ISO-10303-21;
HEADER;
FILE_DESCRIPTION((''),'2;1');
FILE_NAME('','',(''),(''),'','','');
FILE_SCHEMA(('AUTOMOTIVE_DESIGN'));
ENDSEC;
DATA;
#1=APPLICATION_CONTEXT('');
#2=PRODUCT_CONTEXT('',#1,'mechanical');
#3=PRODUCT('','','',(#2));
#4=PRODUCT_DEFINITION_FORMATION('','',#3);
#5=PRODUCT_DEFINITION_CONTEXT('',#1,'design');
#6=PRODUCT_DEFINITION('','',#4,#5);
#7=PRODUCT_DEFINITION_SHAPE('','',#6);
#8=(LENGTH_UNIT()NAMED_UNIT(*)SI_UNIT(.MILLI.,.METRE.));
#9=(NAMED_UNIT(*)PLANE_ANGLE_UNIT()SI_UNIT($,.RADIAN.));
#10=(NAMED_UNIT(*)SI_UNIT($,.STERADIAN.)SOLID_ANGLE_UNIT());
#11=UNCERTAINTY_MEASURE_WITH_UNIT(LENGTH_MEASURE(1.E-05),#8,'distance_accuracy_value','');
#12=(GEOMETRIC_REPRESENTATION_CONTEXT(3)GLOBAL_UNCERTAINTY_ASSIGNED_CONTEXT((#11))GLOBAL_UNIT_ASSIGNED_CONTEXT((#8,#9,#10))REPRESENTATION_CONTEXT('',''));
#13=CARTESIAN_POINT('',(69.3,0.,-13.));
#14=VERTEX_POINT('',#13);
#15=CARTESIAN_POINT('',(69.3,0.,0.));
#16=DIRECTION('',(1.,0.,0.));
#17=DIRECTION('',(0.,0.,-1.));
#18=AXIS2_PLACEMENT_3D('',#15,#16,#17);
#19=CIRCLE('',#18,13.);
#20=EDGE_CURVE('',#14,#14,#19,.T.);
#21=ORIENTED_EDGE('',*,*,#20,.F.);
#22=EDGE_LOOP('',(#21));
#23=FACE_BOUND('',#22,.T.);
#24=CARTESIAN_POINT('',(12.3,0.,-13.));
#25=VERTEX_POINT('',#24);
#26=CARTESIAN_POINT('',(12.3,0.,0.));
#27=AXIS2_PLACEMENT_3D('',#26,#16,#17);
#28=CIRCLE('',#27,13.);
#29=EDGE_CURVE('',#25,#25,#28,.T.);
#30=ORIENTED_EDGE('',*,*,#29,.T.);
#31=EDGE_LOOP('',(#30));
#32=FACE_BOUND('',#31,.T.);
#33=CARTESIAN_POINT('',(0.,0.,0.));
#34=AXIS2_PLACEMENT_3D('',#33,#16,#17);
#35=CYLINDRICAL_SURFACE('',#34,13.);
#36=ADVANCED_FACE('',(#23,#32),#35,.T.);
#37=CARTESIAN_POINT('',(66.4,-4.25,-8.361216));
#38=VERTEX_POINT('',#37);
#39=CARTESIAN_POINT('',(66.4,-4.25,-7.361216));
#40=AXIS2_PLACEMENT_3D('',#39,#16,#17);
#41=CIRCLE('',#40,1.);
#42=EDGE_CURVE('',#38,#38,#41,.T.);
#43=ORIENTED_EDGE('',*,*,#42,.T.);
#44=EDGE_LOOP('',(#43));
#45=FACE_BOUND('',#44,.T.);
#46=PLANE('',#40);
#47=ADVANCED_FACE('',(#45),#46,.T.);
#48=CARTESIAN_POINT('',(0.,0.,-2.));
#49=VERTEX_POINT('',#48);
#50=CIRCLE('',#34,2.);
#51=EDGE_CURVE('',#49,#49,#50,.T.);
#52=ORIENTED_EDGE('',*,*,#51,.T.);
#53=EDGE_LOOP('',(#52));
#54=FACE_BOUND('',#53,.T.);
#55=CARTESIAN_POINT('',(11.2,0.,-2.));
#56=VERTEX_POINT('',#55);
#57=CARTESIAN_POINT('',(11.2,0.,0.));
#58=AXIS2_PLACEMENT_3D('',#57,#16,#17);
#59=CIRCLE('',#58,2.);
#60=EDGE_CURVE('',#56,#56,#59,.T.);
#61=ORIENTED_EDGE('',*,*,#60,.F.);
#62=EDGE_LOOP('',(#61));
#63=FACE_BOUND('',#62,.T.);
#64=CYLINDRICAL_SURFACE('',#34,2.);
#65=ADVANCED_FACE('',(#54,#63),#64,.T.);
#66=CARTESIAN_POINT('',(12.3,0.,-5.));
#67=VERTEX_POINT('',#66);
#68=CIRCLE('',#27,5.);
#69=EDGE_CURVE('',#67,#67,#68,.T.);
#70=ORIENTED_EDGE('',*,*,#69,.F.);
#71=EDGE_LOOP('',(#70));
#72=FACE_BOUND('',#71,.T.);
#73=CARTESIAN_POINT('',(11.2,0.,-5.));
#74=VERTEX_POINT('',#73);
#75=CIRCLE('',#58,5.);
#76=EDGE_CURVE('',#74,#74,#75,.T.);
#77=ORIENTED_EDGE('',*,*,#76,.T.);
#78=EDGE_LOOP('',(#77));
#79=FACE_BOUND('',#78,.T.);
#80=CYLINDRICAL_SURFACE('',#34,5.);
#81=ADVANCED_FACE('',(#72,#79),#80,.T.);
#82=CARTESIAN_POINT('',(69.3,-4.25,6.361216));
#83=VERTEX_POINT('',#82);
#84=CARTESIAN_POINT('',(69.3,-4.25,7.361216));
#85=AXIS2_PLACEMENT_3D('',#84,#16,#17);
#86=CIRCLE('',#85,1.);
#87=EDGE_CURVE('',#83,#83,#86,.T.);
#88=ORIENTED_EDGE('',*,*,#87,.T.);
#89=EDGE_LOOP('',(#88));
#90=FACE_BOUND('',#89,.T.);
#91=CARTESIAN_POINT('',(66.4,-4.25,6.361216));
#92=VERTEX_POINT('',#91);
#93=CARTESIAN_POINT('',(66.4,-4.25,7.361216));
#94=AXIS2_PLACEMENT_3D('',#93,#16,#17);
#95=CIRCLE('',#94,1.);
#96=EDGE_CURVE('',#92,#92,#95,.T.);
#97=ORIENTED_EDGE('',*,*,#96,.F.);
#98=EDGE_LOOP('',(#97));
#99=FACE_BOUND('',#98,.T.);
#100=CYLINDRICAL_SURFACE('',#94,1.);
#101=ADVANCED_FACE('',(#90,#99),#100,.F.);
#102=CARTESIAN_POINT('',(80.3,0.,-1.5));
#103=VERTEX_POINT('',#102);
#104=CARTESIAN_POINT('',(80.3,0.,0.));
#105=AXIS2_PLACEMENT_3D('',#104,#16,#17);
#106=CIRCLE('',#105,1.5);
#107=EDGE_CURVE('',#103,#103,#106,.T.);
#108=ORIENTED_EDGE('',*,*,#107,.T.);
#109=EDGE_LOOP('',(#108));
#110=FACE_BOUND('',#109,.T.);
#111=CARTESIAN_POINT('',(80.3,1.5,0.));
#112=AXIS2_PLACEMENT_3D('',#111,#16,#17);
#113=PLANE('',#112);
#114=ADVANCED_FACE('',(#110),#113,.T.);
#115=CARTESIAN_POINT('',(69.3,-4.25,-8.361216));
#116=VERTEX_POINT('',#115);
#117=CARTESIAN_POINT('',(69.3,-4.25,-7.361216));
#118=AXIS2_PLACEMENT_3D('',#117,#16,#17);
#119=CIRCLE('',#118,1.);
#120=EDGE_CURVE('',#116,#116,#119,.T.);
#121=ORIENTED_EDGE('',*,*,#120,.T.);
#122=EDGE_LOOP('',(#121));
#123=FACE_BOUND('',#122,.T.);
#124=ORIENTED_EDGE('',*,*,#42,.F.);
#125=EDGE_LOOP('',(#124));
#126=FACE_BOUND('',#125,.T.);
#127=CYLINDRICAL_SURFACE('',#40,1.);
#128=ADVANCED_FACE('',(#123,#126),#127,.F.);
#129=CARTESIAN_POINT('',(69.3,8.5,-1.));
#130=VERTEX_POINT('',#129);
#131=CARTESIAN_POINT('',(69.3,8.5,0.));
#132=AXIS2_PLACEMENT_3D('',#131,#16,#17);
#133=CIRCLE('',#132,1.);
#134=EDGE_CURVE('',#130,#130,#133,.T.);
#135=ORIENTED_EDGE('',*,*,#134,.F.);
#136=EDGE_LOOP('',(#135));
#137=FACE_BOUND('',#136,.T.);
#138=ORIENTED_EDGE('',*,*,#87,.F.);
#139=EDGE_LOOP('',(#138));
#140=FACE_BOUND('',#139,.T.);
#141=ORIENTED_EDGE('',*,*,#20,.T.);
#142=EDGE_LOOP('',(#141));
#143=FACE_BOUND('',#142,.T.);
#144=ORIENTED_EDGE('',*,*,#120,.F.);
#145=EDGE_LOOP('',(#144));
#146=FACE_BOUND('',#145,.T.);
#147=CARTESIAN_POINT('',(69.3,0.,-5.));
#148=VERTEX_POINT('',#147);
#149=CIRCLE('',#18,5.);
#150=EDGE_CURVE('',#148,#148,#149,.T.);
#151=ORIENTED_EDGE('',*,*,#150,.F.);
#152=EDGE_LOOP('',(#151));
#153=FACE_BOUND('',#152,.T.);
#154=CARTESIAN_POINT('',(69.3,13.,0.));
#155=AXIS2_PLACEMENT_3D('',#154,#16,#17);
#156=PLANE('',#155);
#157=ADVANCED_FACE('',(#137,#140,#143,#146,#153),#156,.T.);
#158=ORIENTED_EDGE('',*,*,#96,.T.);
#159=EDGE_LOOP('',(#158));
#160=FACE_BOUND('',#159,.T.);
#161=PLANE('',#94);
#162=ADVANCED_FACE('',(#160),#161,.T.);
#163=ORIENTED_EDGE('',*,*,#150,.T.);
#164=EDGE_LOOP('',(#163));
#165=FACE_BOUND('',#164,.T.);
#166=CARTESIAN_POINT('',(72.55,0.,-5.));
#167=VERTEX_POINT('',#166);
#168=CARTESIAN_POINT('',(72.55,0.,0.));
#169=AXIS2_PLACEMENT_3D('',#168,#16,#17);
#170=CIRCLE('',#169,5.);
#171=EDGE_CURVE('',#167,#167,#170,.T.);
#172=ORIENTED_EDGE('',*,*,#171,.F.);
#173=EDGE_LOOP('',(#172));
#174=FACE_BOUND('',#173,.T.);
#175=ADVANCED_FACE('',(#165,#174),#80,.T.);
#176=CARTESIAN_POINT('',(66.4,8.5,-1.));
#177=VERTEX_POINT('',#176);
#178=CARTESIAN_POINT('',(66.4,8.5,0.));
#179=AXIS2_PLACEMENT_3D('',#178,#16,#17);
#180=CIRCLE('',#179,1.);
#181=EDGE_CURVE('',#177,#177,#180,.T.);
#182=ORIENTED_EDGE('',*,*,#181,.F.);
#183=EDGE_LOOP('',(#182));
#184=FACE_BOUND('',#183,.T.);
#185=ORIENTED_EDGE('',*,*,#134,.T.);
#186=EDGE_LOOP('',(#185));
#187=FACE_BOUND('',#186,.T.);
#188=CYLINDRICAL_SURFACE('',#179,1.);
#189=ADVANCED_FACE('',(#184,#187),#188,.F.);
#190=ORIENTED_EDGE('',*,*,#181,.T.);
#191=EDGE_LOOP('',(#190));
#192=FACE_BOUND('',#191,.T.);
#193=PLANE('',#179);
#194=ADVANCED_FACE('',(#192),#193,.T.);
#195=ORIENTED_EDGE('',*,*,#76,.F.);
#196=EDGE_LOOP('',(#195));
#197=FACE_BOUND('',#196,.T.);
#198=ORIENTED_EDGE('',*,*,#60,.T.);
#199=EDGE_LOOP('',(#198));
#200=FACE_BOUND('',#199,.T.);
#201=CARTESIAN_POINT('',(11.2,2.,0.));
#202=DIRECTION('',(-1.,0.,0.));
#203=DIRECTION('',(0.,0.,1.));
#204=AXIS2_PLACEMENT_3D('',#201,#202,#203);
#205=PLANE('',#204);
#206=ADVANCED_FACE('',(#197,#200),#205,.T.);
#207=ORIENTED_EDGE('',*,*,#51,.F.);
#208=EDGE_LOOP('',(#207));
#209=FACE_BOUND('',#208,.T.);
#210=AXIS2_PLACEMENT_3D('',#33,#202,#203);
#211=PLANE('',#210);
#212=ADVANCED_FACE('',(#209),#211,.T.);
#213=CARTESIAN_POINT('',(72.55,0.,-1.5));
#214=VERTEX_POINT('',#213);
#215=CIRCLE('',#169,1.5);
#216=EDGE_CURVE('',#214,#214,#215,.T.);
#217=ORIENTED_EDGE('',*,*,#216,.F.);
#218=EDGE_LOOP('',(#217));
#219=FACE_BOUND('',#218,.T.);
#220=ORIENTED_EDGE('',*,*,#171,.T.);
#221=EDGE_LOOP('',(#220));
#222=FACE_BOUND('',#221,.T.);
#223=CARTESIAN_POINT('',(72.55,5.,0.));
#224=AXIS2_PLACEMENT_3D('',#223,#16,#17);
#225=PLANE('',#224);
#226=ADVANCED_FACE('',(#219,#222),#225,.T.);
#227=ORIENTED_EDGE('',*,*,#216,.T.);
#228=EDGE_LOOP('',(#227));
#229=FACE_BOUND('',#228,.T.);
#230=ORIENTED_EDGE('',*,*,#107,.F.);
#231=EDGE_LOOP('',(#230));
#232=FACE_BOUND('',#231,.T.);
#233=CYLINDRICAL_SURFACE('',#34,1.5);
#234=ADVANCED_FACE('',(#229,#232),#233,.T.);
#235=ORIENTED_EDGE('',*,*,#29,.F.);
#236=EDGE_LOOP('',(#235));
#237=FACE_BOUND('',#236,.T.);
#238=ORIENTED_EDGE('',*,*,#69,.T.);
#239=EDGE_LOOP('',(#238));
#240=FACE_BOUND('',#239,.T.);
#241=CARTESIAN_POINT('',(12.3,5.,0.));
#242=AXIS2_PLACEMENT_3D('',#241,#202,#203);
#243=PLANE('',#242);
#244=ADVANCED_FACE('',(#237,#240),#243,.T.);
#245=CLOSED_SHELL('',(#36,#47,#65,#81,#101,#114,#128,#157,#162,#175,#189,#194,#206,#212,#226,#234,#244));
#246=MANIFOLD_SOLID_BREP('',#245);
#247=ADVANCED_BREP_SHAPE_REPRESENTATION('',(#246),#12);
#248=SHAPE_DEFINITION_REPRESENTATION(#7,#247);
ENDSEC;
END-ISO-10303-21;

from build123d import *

# Parameters (mm, degrees)
SZKIC2_R                   = 1
WYTNIJ_WYCI_GNI_CIE1_DEPTH = 2.9


with BuildPart() as part:
    # Szkic1 → Obrót1 (revolve)
    with BuildSketch(Plane.XY, mode=Mode.PRIVATE) as obr_t1_sk:
        Polygon((0, 0), (0, 2), (11.2, 2), (11.2, 5), (12.3, 5), (12.3, 13), (69.3, 13), (69.3, 5), (72.55, 5), (72.55, 1.5), (80.3, 1.5), (80.3, 0), align=None)
    revolve(obr_t1_sk.sketch.rotate(Axis((0, 0, 0), (-1, 0, 0)), 90), axis=Axis((0, 0, 0), (-1, 0, 0)))

    # Szkic2 → Wytnij-wyciągnięcie1 (cut)
    with BuildSketch(Plane(origin=(69.3, 0, 0), x_dir=(0, 0, -1), z_dir=(1, 0, 0))):
        with Locations((0, 8.5)):
            Circle(SZKIC2_R)
        with Locations((7.361215932, -4.25)):
            Circle(SZKIC2_R)
        with Locations((-7.361215932, -4.25)):
            Circle(SZKIC2_R)
    extrude(amount=-WYTNIJ_WYCI_GNI_CIE1_DEPTH, mode=Mode.SUBTRACT)


solid = part.part
